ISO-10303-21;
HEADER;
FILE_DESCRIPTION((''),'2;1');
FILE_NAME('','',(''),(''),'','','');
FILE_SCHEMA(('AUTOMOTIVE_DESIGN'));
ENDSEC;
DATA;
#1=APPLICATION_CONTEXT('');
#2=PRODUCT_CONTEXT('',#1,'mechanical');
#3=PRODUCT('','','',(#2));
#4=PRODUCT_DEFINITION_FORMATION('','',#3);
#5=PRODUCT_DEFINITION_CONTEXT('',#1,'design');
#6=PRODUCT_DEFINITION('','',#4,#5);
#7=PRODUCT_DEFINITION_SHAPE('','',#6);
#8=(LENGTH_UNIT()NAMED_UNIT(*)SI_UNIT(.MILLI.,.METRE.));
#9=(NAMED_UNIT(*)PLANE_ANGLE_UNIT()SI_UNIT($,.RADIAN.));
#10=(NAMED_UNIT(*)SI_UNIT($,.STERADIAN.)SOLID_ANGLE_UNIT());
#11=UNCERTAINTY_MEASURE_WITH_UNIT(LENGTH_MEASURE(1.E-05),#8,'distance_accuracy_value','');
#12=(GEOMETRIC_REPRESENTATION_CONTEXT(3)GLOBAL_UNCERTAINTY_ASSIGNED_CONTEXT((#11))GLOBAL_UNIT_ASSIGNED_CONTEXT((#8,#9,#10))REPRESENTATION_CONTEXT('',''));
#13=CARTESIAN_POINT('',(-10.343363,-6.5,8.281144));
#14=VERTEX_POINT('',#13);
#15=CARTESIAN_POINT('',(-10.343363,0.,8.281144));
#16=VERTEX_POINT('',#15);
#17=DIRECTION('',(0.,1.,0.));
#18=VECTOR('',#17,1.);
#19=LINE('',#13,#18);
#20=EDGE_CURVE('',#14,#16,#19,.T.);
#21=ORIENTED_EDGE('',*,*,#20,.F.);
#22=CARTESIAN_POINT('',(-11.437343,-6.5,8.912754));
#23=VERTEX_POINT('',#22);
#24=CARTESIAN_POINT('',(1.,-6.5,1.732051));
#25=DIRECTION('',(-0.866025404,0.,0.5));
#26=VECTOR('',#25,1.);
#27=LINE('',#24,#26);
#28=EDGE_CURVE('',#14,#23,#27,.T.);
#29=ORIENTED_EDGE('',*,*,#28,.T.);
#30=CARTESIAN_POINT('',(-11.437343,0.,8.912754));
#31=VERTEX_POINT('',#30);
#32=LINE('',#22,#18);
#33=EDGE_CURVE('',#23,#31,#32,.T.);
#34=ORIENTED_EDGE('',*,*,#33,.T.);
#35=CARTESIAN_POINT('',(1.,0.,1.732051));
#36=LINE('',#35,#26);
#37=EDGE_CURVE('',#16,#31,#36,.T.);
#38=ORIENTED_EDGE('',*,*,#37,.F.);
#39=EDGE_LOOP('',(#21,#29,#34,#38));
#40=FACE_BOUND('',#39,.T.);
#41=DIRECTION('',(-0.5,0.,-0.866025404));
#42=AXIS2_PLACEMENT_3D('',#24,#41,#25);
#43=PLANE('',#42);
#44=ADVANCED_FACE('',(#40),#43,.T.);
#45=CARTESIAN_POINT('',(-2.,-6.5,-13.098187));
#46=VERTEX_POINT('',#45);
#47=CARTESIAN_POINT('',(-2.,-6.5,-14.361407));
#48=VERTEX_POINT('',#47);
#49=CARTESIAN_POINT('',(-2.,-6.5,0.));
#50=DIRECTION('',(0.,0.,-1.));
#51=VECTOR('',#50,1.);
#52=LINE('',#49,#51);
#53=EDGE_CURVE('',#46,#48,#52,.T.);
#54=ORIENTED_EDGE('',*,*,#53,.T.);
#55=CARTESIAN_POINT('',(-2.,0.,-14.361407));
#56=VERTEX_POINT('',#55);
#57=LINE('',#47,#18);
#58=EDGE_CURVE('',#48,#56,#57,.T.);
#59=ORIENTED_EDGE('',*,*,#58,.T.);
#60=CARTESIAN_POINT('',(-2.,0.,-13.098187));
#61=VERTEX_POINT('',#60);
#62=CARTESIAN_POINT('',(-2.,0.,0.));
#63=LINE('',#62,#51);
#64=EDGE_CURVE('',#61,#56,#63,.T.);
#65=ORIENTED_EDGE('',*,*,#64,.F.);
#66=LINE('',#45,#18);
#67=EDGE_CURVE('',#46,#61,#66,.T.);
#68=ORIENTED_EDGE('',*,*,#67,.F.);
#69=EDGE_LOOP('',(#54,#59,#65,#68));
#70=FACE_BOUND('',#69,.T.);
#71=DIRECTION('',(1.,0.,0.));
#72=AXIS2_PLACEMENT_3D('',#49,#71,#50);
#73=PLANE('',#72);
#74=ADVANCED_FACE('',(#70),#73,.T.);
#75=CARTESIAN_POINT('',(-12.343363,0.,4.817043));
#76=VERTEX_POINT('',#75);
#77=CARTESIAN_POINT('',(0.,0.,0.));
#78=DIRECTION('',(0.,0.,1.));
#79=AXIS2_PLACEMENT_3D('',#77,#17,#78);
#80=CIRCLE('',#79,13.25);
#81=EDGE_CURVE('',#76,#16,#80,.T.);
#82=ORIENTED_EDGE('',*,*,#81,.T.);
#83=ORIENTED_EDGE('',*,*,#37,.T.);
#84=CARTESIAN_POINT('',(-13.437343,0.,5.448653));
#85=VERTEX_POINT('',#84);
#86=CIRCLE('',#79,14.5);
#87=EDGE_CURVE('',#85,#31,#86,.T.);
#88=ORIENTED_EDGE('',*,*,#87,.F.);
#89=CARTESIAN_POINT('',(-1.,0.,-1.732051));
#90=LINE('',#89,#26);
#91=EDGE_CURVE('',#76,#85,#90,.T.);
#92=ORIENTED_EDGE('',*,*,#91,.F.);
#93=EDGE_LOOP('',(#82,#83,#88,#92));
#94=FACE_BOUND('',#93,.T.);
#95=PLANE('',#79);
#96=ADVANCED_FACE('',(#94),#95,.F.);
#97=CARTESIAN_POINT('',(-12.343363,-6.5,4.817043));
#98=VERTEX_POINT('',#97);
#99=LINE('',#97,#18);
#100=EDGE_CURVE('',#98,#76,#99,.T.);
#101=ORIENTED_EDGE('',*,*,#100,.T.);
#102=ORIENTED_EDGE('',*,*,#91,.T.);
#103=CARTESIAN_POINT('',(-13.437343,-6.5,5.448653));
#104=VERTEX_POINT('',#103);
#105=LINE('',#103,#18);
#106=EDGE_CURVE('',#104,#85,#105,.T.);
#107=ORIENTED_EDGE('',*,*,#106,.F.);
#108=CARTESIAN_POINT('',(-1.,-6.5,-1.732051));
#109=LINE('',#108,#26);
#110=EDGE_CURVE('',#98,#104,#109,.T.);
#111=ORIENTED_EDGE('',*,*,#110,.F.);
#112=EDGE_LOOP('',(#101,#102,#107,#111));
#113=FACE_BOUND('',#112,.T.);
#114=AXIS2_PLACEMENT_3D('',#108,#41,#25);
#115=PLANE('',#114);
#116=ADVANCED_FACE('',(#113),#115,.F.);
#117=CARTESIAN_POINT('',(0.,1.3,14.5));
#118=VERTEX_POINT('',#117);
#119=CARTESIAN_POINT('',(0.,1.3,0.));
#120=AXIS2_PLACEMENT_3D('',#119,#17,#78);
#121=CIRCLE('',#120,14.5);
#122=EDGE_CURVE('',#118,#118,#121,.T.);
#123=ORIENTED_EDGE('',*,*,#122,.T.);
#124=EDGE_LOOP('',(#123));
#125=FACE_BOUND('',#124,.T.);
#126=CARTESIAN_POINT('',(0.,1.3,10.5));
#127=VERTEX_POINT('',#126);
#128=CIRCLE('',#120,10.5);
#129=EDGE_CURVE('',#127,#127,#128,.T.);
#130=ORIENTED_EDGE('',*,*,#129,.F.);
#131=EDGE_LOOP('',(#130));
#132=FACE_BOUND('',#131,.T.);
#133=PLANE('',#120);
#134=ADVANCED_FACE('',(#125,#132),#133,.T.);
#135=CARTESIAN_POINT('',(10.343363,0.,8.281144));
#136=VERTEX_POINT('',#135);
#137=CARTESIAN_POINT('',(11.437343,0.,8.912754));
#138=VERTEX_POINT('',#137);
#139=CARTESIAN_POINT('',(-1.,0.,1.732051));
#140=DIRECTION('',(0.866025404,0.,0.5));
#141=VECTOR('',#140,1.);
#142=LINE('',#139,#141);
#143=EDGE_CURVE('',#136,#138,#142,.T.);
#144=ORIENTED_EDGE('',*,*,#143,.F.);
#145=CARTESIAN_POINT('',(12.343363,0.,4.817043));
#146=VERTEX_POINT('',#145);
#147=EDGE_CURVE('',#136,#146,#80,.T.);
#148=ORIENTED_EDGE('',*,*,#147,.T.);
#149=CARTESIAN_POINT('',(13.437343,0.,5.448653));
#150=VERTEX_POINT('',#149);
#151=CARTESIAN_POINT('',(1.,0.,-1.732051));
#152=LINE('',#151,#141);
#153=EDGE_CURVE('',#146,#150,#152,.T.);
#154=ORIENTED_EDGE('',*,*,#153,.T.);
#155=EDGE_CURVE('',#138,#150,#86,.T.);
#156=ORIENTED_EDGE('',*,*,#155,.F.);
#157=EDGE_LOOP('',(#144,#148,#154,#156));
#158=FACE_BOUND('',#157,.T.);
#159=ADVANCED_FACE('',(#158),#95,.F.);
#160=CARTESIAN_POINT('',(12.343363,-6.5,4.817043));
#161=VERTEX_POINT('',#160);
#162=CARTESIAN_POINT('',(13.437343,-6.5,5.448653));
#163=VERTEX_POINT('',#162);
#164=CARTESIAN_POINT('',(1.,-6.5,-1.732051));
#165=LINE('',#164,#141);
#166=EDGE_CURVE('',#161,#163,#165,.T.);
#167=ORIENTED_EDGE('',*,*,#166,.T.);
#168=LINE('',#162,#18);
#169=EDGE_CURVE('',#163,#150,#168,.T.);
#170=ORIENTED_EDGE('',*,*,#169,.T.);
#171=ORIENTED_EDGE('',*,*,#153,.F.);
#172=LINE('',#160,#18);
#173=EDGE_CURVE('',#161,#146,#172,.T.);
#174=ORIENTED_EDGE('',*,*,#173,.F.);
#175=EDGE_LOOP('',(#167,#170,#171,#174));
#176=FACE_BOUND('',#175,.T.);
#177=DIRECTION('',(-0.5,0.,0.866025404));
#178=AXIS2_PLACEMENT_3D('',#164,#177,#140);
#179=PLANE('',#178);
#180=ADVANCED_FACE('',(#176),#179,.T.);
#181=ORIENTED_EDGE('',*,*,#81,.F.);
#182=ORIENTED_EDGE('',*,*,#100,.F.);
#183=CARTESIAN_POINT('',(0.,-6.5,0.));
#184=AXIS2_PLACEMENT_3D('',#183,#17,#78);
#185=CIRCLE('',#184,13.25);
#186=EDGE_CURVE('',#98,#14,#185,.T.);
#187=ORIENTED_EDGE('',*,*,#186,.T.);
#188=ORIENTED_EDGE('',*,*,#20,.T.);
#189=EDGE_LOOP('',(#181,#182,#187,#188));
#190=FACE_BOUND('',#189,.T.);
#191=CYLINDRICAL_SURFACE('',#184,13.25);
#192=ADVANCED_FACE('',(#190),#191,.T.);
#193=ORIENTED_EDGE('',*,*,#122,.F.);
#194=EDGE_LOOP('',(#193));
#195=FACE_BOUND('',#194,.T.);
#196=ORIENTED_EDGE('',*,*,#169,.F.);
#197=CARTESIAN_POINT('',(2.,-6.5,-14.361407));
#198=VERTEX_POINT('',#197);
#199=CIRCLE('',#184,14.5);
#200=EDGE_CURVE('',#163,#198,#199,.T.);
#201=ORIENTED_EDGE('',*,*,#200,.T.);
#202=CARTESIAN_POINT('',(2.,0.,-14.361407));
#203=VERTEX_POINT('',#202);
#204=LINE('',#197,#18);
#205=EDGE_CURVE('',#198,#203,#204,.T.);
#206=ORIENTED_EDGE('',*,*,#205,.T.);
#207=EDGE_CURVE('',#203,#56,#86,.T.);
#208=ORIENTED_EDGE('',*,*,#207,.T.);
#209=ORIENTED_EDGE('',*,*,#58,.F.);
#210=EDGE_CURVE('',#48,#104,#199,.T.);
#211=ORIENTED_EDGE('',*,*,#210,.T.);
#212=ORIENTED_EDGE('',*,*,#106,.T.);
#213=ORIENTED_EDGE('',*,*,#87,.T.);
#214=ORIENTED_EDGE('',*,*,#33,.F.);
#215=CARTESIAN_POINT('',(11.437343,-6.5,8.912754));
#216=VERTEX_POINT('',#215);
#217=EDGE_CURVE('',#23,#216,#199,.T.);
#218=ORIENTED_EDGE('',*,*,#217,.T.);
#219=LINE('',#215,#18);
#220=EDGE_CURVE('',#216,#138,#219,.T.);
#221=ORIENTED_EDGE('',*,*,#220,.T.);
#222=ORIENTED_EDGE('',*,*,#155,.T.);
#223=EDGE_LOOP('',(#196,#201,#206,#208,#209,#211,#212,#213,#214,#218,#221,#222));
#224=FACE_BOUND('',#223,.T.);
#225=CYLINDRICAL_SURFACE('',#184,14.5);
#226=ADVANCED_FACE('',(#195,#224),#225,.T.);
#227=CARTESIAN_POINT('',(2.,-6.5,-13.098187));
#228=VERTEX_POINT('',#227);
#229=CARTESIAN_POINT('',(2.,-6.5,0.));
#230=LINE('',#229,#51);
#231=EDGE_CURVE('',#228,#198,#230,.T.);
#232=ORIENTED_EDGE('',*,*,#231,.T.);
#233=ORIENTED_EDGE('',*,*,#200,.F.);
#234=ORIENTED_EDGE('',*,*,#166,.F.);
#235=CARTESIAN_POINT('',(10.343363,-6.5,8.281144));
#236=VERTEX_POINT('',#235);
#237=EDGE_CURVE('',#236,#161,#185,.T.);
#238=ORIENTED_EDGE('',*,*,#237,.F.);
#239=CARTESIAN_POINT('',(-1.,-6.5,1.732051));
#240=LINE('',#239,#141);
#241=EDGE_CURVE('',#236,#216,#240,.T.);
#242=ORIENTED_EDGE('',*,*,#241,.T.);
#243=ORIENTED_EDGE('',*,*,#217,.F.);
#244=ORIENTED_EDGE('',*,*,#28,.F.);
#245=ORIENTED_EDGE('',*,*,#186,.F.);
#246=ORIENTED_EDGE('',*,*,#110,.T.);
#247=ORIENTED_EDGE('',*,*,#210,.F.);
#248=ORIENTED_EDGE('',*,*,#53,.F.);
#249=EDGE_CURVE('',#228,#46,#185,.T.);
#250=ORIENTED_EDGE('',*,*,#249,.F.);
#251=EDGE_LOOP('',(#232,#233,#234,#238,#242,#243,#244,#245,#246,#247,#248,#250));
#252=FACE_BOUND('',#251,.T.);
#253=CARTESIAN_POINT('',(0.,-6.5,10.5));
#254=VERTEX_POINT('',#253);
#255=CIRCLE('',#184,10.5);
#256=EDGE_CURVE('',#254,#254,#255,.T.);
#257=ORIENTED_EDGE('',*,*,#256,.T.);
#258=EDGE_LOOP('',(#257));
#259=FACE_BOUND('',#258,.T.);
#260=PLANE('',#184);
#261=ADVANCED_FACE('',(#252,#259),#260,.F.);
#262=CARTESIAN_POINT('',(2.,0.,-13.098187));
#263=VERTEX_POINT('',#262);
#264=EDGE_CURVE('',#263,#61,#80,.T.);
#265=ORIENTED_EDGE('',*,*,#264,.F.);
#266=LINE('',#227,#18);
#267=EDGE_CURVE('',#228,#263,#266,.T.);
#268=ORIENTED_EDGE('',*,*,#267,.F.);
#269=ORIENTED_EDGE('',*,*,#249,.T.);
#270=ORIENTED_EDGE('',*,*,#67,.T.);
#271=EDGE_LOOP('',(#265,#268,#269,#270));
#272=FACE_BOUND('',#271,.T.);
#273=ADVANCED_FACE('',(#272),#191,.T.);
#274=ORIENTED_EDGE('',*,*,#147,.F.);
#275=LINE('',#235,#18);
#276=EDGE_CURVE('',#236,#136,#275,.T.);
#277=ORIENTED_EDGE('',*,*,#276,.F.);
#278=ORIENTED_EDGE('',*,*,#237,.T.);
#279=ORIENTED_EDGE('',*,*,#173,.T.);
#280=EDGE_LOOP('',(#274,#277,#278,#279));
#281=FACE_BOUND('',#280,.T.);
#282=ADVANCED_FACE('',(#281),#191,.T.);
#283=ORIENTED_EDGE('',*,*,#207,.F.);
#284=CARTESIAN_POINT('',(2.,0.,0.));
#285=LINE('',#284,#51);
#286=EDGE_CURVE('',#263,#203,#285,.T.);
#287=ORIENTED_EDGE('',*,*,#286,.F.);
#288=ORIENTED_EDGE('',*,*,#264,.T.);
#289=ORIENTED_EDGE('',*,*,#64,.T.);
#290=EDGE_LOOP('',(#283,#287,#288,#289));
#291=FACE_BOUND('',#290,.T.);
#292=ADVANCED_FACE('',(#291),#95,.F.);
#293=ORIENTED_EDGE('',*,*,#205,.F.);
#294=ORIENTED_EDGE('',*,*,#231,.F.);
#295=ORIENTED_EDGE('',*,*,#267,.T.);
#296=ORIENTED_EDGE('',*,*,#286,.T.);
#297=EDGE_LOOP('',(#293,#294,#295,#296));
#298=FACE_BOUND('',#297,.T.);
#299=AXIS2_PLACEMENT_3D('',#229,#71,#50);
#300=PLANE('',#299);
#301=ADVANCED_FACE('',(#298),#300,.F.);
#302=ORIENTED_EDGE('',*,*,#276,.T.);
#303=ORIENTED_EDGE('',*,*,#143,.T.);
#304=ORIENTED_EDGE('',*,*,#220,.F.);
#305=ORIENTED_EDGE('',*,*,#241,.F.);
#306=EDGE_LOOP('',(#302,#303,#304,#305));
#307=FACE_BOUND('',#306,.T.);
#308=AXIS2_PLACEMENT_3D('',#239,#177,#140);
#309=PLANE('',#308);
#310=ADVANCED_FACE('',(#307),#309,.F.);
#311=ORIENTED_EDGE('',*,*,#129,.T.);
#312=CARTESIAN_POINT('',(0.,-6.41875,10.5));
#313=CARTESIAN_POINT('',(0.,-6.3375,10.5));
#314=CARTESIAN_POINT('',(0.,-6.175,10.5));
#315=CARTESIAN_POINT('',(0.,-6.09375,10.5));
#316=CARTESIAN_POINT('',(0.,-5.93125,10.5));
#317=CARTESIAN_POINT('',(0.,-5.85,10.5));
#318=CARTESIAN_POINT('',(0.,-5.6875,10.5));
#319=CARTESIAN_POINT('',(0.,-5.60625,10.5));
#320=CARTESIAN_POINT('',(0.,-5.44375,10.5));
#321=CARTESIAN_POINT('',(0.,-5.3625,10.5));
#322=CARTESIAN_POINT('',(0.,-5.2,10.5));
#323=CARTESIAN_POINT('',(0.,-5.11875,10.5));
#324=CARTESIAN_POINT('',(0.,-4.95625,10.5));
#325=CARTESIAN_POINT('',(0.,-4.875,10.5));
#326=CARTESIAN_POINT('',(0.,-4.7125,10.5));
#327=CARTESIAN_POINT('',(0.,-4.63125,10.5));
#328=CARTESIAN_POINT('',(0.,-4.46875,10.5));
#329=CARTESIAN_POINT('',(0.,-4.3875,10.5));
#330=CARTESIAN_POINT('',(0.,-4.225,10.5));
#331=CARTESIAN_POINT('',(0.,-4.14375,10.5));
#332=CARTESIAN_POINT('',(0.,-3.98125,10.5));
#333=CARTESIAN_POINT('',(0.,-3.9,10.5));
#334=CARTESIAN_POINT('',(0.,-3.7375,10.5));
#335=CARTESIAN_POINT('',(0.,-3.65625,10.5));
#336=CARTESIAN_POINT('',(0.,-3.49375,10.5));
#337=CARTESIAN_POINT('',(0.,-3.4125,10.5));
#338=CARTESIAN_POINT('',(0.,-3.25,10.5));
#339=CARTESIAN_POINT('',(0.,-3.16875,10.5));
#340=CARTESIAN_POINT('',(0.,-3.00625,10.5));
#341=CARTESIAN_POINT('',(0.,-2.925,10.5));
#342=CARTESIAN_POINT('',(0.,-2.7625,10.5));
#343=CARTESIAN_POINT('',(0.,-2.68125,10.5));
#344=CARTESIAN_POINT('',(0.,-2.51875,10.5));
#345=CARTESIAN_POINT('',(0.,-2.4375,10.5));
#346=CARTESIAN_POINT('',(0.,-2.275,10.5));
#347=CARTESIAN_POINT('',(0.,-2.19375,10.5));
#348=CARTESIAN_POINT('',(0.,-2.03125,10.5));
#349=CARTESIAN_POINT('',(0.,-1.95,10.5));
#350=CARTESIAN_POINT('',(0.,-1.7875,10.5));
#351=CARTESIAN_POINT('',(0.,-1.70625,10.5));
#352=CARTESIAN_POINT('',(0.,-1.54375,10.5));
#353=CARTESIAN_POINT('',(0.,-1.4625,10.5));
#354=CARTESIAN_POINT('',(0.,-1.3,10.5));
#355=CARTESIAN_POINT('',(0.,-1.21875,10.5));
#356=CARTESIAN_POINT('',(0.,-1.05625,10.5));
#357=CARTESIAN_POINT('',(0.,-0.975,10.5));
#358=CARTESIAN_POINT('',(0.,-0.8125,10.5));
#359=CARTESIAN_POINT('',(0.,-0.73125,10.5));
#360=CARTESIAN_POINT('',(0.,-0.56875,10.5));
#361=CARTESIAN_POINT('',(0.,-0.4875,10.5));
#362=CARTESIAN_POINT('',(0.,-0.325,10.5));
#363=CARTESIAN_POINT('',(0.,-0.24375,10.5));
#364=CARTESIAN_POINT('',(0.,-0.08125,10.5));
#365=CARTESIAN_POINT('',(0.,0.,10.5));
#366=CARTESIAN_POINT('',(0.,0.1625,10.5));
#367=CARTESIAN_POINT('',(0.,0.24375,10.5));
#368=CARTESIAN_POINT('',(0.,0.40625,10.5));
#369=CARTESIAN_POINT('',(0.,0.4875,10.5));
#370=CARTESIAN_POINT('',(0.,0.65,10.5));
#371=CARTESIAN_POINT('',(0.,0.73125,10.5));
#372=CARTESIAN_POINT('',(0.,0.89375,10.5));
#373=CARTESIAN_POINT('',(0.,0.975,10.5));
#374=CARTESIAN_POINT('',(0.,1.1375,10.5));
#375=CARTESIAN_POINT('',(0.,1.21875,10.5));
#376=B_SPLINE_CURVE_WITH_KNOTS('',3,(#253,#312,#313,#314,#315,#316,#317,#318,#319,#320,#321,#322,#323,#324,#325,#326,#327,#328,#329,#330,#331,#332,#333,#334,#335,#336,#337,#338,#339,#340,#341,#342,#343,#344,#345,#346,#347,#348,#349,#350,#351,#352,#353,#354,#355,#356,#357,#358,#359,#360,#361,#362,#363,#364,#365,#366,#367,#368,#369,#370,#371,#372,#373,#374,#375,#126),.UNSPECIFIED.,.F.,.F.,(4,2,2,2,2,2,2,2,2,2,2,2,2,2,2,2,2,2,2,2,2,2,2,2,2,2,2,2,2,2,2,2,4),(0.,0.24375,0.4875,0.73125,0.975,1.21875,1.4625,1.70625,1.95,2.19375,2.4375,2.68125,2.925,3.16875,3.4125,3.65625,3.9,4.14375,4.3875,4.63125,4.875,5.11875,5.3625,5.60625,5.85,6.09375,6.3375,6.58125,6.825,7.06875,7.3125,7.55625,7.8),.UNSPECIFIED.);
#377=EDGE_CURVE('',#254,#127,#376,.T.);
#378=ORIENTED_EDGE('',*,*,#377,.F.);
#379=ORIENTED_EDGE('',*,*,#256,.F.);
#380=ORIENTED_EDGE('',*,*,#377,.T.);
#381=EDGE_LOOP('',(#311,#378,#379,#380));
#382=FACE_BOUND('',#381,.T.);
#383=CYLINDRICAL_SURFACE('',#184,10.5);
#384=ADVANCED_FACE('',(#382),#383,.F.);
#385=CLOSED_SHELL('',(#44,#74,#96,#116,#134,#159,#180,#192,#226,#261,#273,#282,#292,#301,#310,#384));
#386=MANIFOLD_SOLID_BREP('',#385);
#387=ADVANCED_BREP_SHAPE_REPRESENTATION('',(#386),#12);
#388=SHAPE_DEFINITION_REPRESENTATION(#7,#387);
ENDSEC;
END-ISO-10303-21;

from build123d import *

# Parameters (mm, degrees)
SKETCH1_R           = 10.5
BOSS_EXTRUDE1_DEPTH = 6.5
BOSS_EXTRUDE2_START = 1.3
SKETCH1_3_R         = 14.5
SKETCH1_3_R_2       = 10.5
BOSS_EXTRUDE2_DEPTH = 1.3


with BuildPart() as part:
    # Sketch1 → Boss-Extrude1 (new body)
    with BuildSketch(Plane(origin=(0, 0, 0), x_dir=(1, 0, 0), z_dir=(0, 1, 0))):
        with BuildLine():
            Line((-13.437342964, -5.448652501), (-12.343362597, -4.817042641))
            ThreePointArc((-12.343362597, -4.817042641), (-11.4748366, -6.625), (-10.343362597, -8.281144256))
            Line((-10.343362597, -8.281144256), (-11.437342964, -8.912754116))
            ThreePointArc((-11.437342964, -8.912754116), (0, -14.5), (11.437342964, -8.912754116))
            Line((11.437342964, -8.912754116), (10.343362597, -8.281144256))
            ThreePointArc((10.343362597, -8.281144256), (11.4748366, -6.625), (12.343362597, -4.817042641))
            Line((12.343362597, -4.817042641), (13.437342964, -5.448652501))
            ThreePointArc((13.437342964, -5.448652501), (12.557368355, 7.25), (2, 14.361406616))
            Line((2, 14.361406616), (2, 13.098186897))
            ThreePointArc((2, 13.098186897), (0, 13.25), (-2, 13.098186897))
            Line((-2, 13.098186897), (-2, 14.361406616))
            ThreePointArc((-2, 14.361406616), (-12.557368355, 7.25), (-13.437342964, -5.448652501))
        make_face()
        Circle(SKETCH1_R, mode=Mode.SUBTRACT)
    extrude(amount=-BOSS_EXTRUDE1_DEPTH)

    # Sketch1<3> → Boss-Extrude2 (add)
    with BuildSketch(Plane(origin=(0, 0, 0), x_dir=(1, 0, 0), z_dir=(0, 1, 0)).offset(BOSS_EXTRUDE2_START)):
        Circle(SKETCH1_3_R)
        Circle(SKETCH1_3_R_2, mode=Mode.SUBTRACT)
    extrude(amount=-BOSS_EXTRUDE2_DEPTH)


solid = part.part
